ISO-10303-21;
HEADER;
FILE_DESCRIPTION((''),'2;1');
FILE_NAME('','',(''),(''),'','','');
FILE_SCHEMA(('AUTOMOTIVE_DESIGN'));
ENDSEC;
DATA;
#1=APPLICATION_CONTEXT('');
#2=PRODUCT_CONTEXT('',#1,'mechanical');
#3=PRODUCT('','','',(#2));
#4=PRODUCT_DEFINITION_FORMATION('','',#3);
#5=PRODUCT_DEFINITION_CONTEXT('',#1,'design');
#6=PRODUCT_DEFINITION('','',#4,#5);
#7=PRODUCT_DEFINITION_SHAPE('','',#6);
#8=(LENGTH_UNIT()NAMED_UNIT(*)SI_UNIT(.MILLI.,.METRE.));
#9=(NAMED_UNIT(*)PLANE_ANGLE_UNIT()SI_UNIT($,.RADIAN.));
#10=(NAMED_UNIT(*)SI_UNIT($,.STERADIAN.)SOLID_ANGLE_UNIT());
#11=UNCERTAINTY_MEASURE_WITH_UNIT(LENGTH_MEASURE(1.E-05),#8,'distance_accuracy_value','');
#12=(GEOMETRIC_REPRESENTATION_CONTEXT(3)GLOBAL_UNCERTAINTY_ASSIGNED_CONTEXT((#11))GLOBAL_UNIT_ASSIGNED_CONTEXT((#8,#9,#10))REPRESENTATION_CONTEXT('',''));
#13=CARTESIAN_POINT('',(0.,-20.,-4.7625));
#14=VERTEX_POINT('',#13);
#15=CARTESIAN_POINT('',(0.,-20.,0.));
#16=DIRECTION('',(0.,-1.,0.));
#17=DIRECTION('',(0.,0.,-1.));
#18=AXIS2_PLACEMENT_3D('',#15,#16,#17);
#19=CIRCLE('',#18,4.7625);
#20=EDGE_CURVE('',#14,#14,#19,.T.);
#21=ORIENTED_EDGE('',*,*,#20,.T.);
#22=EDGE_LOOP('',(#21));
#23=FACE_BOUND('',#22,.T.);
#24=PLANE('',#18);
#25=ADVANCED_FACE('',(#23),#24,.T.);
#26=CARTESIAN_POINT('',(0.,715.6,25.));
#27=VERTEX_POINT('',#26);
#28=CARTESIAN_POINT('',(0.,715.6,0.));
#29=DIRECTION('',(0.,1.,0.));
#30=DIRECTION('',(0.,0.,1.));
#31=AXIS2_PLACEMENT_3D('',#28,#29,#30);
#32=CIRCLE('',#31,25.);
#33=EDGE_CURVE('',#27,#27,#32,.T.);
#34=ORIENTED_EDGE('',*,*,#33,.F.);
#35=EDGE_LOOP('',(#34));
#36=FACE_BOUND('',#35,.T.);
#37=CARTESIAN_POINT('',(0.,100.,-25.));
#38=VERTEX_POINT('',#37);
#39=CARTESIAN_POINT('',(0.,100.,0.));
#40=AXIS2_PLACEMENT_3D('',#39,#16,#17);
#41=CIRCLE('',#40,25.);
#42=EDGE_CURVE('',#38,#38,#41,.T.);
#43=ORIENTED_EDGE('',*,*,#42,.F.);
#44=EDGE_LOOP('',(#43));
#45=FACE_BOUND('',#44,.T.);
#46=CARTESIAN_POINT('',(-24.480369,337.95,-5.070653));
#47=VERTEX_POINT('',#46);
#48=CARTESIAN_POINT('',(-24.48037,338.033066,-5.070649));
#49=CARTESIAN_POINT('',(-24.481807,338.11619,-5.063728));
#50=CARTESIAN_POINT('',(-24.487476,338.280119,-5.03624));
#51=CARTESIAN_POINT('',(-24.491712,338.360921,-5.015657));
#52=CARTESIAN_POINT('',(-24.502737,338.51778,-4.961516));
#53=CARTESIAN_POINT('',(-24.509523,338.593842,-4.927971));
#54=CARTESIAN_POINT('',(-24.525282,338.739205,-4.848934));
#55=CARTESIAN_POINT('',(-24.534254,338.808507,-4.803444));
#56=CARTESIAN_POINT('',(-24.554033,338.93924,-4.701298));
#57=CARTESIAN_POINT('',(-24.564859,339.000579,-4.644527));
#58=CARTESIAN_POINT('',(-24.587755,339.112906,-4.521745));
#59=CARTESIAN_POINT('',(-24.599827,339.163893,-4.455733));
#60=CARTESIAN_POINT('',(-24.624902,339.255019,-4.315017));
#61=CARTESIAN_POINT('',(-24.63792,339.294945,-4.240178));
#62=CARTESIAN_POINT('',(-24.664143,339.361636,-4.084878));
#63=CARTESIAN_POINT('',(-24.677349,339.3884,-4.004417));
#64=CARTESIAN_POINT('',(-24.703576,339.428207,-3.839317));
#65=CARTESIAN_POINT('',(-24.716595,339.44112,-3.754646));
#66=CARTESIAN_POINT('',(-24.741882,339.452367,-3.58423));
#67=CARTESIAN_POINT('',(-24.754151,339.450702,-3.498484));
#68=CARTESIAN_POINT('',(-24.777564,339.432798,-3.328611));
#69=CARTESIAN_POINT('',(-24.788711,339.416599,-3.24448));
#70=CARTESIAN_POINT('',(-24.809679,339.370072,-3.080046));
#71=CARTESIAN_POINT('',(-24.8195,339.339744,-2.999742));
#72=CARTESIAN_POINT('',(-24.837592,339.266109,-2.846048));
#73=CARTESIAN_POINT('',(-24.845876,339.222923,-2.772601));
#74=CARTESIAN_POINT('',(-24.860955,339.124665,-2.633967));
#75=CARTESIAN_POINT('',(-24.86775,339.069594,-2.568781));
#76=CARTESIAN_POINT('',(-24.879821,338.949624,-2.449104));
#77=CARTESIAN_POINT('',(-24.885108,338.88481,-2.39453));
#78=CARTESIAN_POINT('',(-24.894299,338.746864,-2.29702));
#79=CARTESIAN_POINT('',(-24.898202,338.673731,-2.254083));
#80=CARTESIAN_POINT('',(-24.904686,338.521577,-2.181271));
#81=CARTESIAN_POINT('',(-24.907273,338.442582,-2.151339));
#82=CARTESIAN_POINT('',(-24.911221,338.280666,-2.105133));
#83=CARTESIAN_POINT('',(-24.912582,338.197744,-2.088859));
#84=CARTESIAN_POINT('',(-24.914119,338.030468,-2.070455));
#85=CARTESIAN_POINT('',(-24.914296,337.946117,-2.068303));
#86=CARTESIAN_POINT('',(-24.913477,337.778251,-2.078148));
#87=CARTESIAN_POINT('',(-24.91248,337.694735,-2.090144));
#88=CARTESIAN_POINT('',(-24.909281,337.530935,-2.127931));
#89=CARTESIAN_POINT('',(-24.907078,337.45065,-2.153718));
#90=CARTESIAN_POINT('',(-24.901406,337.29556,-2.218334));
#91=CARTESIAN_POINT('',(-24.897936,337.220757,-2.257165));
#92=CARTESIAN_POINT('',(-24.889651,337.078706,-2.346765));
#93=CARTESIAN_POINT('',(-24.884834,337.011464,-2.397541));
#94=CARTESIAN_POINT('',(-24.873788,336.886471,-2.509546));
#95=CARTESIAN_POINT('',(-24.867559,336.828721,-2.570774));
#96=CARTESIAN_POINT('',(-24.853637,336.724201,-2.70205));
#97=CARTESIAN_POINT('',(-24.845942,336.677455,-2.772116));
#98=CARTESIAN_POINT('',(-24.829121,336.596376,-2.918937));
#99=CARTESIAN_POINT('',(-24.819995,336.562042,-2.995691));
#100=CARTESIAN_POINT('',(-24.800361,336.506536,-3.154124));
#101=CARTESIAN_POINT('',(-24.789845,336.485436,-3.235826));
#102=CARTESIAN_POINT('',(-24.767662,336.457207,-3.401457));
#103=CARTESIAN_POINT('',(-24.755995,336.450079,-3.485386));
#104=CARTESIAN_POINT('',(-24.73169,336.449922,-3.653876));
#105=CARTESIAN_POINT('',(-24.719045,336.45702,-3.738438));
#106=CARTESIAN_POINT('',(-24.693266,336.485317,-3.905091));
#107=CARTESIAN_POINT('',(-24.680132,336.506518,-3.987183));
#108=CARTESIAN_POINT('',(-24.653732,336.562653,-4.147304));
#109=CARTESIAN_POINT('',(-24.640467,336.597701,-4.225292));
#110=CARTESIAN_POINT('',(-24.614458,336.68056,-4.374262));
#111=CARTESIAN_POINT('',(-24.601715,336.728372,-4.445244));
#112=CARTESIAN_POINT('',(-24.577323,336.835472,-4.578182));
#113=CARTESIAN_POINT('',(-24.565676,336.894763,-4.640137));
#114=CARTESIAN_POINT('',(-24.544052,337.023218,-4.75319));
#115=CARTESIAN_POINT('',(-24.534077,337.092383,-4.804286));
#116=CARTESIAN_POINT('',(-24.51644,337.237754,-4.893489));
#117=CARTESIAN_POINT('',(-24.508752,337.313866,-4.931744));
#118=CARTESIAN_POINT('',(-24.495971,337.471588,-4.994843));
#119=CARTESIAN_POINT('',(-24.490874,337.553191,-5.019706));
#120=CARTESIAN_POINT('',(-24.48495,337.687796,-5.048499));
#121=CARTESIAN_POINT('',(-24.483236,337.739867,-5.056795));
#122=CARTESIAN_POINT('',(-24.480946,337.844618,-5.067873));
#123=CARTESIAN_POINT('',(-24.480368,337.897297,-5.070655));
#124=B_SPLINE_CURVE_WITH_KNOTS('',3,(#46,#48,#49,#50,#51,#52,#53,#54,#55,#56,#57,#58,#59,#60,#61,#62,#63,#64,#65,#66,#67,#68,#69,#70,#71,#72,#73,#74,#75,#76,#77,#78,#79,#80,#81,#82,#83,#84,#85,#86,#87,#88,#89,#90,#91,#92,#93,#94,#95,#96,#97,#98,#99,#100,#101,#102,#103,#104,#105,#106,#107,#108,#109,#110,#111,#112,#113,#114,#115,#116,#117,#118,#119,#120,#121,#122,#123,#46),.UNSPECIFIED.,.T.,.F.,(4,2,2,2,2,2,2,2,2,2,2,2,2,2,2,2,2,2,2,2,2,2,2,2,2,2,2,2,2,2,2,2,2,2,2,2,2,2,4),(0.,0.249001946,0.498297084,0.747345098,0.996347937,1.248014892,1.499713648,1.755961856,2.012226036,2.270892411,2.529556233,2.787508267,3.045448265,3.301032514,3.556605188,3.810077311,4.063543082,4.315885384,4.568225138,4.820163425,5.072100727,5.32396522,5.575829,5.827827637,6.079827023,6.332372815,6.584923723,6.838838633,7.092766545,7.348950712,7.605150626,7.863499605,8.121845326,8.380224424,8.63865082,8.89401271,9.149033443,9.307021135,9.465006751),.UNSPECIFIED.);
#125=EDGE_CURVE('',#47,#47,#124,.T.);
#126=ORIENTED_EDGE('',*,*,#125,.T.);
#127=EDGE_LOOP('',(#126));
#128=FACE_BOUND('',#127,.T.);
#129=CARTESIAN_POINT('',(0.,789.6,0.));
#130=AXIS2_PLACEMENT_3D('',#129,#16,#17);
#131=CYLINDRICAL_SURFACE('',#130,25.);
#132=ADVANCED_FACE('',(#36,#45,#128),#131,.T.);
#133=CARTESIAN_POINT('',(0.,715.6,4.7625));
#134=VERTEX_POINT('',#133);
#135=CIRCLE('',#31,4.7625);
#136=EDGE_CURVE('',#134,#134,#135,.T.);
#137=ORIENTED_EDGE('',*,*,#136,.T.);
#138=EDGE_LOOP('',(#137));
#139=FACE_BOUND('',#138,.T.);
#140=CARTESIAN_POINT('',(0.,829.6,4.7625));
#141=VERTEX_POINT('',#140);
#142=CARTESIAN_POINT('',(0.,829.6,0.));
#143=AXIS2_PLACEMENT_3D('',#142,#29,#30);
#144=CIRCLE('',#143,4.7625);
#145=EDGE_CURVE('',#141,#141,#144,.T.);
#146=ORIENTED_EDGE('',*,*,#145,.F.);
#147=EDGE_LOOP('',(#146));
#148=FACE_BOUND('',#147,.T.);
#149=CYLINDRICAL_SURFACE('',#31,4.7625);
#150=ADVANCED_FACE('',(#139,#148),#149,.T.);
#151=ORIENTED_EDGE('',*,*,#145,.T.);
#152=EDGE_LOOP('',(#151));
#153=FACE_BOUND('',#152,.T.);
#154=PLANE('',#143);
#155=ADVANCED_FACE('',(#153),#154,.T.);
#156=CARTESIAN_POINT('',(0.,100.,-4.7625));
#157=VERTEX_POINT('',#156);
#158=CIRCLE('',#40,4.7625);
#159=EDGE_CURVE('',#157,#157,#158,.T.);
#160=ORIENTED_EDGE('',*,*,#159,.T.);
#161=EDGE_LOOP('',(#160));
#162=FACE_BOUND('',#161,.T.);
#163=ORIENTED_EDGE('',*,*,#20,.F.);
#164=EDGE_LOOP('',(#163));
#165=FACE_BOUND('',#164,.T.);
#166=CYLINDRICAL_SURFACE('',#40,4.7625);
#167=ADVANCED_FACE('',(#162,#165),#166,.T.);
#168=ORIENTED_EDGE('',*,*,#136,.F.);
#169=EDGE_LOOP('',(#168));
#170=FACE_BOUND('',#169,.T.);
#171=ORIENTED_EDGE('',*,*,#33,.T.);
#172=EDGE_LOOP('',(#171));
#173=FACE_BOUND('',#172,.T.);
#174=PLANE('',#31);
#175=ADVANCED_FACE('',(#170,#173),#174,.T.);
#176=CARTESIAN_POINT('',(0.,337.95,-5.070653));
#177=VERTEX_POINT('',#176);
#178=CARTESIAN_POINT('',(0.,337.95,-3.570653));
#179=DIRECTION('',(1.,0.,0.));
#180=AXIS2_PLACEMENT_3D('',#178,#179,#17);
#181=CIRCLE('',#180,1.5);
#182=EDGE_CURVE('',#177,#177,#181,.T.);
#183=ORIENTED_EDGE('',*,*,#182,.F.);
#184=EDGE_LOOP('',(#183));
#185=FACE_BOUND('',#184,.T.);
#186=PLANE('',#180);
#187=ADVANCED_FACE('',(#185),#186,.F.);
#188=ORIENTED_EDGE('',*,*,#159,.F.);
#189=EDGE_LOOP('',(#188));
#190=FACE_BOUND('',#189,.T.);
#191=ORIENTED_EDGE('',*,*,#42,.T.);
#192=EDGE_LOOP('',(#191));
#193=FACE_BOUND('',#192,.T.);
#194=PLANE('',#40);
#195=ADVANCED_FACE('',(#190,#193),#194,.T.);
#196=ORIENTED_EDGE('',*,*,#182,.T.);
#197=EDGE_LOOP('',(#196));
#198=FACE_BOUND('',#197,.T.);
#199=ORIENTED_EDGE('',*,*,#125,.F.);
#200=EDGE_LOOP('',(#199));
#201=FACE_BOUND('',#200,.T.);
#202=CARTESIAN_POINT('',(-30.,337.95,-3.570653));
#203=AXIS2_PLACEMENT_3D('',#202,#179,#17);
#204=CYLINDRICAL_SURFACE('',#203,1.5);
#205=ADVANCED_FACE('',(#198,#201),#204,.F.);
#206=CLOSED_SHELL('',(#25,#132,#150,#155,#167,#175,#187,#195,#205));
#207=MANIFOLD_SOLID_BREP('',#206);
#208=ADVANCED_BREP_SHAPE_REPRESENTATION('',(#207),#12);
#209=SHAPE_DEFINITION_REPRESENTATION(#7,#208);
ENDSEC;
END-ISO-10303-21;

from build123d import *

# Parameters (mm, degrees)
SKETCH1_R           = 25
BOSS_EXTRUDE1_DEPTH = 789.6
SKETCH2_R           = 25
SKETCH2_R_2         = 4.7625
CUT_EXTRUDE1_DEPTH  = 74
SKETCH3_R           = 25
SKETCH3_R_2         = 4.7625
CUT_EXTRUDE2_DEPTH  = 100
SKETCH4_R           = 1.5
CUT_EXTRUDE3_DEPTH  = 30
SKETCH5_R           = 4.7625
BOSS_EXTRUDE3_DEPTH = 20
SKETCH6_R           = 4.7625
BOSS_EXTRUDE4_DEPTH = 40


with BuildPart() as part:
    # Sketch1 → Boss-Extrude1 (new body)
    with BuildSketch(Plane(origin=(0, 0, 0), x_dir=(1, 0, 0), z_dir=(0, 1, 0))):
        Circle(SKETCH1_R)
    extrude(amount=BOSS_EXTRUDE1_DEPTH)

    # Sketch2 → Cut-Extrude1 (cut)
    with BuildSketch(Plane(origin=(0, 789.6, 0), x_dir=(1, 0, 0), z_dir=(0, 1, 0))):
        Circle(SKETCH2_R)
        Circle(SKETCH2_R_2, mode=Mode.SUBTRACT)
    extrude(amount=-CUT_EXTRUDE1_DEPTH, mode=Mode.SUBTRACT)

    # Sketch3 → Cut-Extrude2 (cut)
    with BuildSketch(Plane.XZ):
        Circle(SKETCH3_R)
        Circle(SKETCH3_R_2, mode=Mode.SUBTRACT)
    extrude(amount=-CUT_EXTRUDE2_DEPTH, mode=Mode.SUBTRACT)

    # Sketch4 → Cut-Extrude3 (cut)
    with BuildSketch(Plane(origin=(0, 0, 0), x_dir=(0, 0, -1), z_dir=(1, 0, 0))):
        with Locations((3.570652979, 337.95)):
            Circle(SKETCH4_R)
    extrude(amount=-CUT_EXTRUDE3_DEPTH, mode=Mode.SUBTRACT)

    # Sketch5 → Boss-Extrude3 (add)
    with BuildSketch(Plane.XZ):
        Circle(SKETCH5_R)
    extrude(amount=BOSS_EXTRUDE3_DEPTH)

    # Sketch6 → Boss-Extrude4 (add)
    with BuildSketch(Plane(origin=(0, 789.6, 0), x_dir=(1, 0, 0), z_dir=(0, 1, 0))):
        Circle(SKETCH6_R)
    extrude(amount=BOSS_EXTRUDE4_DEPTH)


solid = part.part
